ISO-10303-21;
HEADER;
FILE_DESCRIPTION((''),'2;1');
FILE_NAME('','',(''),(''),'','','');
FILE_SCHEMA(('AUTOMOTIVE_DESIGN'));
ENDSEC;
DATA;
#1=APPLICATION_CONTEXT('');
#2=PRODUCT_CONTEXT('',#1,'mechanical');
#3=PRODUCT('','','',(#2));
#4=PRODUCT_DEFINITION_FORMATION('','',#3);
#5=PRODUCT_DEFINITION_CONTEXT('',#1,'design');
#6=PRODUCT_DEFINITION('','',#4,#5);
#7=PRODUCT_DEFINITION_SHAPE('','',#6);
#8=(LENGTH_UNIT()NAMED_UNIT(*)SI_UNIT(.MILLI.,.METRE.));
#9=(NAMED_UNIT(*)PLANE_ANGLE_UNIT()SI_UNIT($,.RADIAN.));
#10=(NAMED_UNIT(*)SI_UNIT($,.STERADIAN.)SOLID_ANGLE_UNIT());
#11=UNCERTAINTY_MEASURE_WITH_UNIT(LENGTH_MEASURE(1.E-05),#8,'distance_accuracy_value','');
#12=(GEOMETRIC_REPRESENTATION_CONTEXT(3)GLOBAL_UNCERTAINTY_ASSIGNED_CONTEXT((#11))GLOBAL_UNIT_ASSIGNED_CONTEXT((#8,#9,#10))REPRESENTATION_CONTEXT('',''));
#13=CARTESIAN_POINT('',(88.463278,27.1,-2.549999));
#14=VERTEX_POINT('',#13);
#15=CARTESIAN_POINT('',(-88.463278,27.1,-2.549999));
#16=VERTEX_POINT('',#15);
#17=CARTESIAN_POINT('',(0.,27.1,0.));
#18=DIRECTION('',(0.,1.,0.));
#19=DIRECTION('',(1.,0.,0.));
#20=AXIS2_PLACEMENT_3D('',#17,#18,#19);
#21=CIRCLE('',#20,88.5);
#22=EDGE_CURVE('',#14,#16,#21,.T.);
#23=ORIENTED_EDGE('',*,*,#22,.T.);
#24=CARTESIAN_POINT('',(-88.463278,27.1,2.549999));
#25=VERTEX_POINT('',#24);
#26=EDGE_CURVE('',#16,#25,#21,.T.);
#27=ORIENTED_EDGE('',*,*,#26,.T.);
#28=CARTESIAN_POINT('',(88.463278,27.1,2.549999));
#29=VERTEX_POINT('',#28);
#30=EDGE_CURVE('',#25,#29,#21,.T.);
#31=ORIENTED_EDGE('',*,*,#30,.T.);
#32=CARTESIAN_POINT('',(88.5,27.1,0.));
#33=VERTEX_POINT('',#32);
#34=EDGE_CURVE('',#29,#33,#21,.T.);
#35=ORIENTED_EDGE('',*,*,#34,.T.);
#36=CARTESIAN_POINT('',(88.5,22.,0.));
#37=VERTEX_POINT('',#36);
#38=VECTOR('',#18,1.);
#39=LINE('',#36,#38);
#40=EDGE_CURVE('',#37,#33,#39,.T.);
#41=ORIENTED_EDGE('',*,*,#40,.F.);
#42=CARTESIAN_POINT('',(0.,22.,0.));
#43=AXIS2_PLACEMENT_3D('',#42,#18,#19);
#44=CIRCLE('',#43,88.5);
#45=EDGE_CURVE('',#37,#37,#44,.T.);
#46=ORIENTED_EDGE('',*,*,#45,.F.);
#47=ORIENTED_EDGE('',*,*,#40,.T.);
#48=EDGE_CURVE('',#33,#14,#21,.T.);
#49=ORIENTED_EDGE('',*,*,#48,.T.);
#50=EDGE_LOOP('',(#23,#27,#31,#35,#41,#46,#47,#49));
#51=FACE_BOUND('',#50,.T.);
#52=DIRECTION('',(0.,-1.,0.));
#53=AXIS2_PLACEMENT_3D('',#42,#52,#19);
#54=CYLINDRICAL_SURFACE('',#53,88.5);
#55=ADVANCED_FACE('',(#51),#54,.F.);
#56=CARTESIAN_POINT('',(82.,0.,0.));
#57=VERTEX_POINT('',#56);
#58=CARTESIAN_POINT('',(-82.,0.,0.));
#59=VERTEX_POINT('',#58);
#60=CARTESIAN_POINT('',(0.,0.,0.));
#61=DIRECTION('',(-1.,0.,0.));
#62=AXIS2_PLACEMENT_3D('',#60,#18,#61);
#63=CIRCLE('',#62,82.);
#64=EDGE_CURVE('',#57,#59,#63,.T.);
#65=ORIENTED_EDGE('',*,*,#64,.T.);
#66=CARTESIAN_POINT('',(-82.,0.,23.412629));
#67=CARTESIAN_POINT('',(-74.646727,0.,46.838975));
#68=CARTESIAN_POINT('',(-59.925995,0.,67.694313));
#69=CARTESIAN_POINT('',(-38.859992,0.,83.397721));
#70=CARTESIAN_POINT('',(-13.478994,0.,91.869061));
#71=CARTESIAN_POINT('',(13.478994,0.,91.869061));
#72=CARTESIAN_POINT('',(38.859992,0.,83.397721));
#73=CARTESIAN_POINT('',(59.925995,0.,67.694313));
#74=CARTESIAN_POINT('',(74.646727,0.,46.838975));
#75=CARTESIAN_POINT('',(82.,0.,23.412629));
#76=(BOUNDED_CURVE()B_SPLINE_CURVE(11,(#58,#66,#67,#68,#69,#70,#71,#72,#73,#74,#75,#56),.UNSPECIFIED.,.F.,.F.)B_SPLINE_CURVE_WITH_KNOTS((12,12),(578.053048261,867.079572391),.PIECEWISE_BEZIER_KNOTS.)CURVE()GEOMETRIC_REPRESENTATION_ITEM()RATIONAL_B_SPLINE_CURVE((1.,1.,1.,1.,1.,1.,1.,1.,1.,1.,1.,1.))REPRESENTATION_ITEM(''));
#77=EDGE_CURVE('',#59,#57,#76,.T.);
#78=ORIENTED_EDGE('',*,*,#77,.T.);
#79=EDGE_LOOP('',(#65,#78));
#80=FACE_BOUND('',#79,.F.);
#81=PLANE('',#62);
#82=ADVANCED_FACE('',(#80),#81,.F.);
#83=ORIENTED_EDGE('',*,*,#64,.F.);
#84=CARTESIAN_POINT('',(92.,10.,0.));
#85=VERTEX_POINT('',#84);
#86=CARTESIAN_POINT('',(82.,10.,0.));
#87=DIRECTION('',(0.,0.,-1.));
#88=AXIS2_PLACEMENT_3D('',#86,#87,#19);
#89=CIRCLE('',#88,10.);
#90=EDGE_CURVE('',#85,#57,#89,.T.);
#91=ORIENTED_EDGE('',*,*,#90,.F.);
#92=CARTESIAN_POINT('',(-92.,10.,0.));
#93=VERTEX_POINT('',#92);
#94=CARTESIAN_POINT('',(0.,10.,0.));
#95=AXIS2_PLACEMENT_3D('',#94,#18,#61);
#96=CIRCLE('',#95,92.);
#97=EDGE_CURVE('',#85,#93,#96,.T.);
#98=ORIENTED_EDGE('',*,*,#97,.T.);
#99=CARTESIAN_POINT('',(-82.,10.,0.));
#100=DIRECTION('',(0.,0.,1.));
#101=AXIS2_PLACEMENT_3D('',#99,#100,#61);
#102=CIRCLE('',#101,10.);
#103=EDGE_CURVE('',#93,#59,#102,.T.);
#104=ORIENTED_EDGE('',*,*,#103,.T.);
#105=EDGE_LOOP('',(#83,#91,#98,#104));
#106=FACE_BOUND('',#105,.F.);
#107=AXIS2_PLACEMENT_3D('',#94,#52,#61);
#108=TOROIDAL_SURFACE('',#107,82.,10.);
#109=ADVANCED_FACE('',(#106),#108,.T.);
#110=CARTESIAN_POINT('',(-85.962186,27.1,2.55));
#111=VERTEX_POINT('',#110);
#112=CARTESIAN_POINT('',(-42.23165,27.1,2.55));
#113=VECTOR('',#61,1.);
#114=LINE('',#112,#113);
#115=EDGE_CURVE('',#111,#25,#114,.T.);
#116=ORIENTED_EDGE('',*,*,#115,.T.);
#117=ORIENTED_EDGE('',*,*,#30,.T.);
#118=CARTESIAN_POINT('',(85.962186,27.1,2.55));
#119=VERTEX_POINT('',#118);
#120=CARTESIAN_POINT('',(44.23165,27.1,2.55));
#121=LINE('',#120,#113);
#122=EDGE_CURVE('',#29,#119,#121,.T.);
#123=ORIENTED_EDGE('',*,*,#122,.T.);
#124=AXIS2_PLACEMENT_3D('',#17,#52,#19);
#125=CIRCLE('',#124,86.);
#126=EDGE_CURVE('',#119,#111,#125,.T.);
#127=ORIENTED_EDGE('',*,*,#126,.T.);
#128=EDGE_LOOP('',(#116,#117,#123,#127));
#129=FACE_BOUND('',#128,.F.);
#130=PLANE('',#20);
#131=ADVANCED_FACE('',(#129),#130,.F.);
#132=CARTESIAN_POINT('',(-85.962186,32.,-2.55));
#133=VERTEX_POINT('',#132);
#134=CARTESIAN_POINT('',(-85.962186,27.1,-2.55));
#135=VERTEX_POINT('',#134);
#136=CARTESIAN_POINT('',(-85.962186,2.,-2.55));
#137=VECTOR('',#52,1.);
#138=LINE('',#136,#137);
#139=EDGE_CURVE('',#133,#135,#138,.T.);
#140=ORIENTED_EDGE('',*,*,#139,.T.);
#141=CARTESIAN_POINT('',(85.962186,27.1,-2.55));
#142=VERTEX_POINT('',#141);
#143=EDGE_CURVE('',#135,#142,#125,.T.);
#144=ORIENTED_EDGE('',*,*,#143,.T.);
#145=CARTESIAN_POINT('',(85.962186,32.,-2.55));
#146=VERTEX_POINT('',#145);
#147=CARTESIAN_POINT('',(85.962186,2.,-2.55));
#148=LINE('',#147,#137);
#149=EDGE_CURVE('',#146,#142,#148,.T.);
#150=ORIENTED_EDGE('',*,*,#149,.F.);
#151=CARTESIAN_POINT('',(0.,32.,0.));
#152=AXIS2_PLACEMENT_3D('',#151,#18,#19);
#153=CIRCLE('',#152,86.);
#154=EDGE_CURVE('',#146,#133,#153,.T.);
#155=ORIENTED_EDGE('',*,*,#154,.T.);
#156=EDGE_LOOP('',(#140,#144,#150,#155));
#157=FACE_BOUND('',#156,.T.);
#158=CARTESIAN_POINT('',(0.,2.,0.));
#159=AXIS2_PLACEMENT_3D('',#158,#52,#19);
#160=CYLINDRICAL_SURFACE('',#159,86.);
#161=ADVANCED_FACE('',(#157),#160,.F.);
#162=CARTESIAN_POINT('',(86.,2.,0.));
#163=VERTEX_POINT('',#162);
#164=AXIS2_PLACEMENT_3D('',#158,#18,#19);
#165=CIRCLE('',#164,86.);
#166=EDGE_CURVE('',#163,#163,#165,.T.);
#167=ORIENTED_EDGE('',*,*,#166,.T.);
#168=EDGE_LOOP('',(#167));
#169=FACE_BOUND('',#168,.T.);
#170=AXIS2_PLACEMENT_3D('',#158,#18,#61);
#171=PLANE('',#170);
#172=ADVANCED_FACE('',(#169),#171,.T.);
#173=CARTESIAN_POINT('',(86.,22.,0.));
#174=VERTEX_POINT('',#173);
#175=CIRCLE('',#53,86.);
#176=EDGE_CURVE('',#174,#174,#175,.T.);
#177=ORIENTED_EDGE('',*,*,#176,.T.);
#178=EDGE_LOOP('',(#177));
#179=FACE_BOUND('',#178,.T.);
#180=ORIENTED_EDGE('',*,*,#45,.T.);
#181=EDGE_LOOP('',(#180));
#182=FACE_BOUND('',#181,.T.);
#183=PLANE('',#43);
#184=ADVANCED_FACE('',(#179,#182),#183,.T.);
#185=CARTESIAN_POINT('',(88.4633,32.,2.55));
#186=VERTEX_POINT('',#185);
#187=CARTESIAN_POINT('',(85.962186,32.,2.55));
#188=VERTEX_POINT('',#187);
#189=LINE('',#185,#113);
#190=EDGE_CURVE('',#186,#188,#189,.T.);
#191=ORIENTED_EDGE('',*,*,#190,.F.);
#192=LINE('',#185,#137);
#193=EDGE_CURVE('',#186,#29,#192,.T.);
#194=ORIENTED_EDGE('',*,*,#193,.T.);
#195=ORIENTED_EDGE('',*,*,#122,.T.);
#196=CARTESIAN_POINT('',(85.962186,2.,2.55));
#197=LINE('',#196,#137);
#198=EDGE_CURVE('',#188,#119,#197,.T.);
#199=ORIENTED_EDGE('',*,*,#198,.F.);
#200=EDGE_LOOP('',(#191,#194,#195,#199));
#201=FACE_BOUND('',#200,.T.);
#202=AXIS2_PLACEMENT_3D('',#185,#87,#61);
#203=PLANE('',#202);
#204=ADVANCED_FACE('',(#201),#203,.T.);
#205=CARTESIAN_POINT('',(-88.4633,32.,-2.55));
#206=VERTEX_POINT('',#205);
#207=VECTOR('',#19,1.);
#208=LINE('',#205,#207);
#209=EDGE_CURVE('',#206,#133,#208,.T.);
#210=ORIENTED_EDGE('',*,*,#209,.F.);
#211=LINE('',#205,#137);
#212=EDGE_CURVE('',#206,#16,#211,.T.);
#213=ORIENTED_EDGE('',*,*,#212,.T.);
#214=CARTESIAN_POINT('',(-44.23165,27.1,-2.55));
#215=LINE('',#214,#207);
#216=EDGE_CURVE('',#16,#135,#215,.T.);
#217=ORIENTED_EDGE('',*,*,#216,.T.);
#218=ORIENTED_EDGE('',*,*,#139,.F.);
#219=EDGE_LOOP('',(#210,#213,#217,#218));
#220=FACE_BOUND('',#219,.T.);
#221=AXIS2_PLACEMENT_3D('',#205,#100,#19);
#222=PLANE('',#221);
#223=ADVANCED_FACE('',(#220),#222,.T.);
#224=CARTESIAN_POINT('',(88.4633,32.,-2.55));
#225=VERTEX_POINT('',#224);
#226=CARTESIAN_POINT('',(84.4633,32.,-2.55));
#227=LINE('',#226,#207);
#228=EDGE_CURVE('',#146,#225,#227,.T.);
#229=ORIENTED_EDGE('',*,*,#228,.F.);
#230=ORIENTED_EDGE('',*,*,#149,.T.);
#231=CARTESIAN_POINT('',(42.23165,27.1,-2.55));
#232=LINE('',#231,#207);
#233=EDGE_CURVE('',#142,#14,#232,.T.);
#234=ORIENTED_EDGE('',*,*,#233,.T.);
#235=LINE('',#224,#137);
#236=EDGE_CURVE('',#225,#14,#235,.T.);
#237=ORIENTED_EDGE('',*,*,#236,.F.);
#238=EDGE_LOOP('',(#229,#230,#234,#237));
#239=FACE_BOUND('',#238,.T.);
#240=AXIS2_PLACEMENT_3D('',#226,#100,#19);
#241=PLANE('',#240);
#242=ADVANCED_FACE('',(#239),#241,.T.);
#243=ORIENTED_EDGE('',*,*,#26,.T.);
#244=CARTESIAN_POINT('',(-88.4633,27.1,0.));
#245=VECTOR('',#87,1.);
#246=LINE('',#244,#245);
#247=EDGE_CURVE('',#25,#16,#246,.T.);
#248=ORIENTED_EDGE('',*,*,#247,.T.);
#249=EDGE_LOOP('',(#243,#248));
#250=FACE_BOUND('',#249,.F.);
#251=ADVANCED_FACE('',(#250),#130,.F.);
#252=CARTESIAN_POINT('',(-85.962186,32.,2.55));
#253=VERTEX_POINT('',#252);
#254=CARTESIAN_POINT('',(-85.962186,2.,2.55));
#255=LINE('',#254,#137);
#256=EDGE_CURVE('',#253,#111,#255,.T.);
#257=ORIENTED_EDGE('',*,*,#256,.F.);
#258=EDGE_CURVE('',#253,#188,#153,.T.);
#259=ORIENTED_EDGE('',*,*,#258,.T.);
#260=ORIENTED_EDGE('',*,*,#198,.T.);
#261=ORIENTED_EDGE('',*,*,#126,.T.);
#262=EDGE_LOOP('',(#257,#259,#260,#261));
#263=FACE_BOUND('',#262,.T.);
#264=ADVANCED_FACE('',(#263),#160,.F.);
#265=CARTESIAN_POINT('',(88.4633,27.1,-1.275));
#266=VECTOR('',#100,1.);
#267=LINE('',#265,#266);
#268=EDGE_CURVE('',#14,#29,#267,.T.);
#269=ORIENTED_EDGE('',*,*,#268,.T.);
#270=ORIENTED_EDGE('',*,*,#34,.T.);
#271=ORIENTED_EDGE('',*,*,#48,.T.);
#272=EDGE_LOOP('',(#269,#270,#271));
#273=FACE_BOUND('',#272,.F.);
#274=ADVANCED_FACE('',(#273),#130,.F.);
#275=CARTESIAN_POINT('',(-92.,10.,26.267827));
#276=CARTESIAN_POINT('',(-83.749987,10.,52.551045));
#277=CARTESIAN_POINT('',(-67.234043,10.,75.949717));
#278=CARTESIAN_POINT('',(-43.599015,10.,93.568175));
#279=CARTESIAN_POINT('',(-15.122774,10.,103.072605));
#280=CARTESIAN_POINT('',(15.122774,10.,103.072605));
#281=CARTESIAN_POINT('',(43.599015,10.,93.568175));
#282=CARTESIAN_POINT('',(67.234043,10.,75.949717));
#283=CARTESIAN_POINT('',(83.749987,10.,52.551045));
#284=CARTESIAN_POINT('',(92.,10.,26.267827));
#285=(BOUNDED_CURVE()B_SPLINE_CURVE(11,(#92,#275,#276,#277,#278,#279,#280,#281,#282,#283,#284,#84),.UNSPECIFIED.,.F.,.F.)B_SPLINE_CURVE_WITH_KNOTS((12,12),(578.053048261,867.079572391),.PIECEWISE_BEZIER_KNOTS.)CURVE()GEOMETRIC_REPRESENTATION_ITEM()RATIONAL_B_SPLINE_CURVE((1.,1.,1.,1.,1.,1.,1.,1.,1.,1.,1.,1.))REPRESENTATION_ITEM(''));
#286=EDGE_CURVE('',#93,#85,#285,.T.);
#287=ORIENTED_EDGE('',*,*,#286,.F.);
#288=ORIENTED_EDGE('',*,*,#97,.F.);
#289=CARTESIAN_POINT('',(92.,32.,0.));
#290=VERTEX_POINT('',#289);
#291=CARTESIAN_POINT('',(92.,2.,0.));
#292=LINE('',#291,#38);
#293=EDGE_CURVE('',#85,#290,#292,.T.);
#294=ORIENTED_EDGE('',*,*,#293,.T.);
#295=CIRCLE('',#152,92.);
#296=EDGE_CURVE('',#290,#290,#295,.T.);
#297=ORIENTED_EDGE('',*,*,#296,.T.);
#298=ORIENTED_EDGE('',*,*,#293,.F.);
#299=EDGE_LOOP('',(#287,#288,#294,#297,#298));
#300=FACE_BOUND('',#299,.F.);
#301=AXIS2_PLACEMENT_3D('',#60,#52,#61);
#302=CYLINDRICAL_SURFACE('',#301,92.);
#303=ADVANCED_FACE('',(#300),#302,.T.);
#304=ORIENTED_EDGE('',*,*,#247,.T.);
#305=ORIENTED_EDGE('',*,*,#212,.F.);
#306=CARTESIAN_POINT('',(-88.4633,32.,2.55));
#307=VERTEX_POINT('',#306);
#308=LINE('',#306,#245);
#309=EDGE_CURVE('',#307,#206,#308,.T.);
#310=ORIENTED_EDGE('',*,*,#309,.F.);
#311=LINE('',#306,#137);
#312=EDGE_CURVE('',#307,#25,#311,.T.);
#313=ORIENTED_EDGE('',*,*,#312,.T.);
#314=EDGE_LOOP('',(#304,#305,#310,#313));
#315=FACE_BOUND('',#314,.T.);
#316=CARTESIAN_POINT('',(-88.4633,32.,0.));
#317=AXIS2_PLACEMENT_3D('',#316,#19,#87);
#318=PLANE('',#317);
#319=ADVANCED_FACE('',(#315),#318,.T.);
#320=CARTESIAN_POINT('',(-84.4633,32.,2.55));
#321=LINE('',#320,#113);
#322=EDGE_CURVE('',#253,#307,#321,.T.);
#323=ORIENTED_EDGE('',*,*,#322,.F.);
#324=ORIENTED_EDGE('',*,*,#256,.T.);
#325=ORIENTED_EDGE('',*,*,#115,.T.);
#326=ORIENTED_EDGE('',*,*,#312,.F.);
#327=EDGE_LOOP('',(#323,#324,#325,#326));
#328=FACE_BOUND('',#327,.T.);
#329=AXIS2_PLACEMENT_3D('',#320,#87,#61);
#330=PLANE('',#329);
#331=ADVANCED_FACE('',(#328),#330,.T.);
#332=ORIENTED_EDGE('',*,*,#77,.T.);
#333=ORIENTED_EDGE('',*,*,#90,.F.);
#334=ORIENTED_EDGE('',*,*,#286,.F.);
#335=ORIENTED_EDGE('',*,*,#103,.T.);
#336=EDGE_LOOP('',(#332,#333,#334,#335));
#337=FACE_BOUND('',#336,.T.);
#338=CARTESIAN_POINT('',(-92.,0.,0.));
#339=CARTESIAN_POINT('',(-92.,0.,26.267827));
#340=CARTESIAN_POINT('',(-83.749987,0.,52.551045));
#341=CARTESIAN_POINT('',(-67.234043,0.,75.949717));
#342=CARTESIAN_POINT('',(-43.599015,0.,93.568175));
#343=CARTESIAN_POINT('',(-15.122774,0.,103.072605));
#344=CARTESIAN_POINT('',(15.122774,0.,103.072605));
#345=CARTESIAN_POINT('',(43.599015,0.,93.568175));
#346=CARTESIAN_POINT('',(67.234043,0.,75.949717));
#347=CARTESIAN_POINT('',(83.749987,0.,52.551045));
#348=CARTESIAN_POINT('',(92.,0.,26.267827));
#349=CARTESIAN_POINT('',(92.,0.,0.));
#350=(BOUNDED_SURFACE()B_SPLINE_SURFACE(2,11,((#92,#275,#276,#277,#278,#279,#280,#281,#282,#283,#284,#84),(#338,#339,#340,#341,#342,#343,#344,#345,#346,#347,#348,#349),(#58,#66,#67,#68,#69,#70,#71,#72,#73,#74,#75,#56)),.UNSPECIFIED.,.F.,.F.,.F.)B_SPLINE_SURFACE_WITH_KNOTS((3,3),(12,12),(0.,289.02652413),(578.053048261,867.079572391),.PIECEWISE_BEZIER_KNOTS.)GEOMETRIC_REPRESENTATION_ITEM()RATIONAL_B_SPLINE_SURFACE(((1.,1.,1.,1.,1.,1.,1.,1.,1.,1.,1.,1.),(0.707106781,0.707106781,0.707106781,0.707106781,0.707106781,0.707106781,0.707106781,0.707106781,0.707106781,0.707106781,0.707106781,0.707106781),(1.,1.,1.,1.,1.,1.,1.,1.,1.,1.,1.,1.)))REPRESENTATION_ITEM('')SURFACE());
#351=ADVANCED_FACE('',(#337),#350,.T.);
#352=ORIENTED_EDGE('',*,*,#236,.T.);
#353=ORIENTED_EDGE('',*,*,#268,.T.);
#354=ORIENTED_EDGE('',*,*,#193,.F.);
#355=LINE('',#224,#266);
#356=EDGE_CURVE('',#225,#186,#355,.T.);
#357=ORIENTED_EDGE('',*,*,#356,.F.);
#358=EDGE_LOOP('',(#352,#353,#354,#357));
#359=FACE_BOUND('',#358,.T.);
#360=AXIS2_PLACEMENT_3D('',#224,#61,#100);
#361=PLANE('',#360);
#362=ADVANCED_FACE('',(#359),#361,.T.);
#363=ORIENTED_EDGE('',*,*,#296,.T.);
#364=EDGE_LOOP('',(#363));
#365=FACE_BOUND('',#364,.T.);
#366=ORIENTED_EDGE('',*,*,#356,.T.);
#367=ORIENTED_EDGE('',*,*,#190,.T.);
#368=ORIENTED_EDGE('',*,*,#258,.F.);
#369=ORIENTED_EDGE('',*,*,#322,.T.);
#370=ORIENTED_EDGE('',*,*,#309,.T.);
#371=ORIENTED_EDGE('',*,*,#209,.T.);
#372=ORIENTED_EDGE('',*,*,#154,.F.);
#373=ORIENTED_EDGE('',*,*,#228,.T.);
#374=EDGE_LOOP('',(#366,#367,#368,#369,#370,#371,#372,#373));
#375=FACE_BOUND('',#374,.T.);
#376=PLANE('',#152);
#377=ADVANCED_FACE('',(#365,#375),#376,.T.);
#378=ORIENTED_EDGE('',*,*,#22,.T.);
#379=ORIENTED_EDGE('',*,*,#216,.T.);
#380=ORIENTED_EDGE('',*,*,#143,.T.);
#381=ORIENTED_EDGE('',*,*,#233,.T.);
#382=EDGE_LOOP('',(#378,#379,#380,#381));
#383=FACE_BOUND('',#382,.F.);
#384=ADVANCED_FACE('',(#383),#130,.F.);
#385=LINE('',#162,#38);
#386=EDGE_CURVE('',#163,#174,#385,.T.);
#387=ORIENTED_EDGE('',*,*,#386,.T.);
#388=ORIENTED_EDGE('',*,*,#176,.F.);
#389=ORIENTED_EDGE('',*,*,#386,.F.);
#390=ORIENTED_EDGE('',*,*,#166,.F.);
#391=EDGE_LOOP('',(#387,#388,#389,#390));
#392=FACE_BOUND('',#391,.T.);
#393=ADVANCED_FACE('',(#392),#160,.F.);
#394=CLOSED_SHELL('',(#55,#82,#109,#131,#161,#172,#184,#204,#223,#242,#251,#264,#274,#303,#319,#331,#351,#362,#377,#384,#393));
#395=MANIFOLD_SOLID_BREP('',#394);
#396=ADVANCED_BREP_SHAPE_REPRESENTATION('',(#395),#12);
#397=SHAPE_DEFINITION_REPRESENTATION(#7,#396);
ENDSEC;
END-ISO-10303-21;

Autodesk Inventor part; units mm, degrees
ref_plane "YZ Plane" through (0, 0, 0) normal (1, 0, 0) x (0, 1, 0)
ref_plane "XZ Plane" through (0, 0, 0) normal (0, 1, 0) x (-1, 0, 0)
sketch "Náčrt1" plane through (0, 0, 0) normal (0, 1, 0) x (-1, 0, 0)
  circle A0 centre (0, 0) radius 92
  dimension "d0" = 184
extrude "Vysunutí1" add sketch "Náčrt1" along normal blind 2
sketch "Náčrt2" plane through (0, 2, 0) normal (0, 1, 0) x (1, 0, 0)
  circle A0 centre (0, 0) radius 86
  circle A1 centre (0, 0) radius 92
  dimension "d3" = 184
  dimension "d8" = 172
extrude "Vysunutí2" add sketch "Náčrt2" along normal blind 30
ref_plane "Pracovní rovina1" through (0, 22, 0) normal (0, 1, 0) x (1, 0, 0)
sketch "Náčrt3" plane through (0, 22, 0) normal (0, 1, 0) x (1, 0, 0)
  circle A0 centre (0, 0) radius 88.5
  dimension "d7" = 177
extrude "Vysunutí3" cut sketch "Náčrt3" along normal blind 5.1
sketch "Náčrt4" plane through (0, 32, 0) normal (0, 1, 0) x (1, 0, 0)
  circle A0 centre (0, 0) radius 88.5 projected
  line L0 (-88.4633, 2.55) -> (-84.4633, 2.55)
  line L1 (-84.4633, 2.55) -> (-84.4633, -2.55)
  line L2 (-84.4633, -2.55) -> (-88.4633, -2.55)
  line L3 (-88.4633, -2.55) -> (-88.4633, 2.55)
  line L4 (0, 128.8) -> (0, -128.8) projected
  line L5 (128.8, 0) -> (-128.8, 0) projected
  line L6 (84.4633, 2.55) -> (88.4633, 2.55)
  line L7 (88.4633, 2.55) -> (88.4633, -2.55)
  line L8 (88.4633, -2.55) -> (84.4633, -2.55)
  line L9 (84.4633, -2.55) -> (84.4633, 2.55)
  dimension "d11" = 4
  dimension "d12" = 5.1
  dimension "d15" = 360
extrude "Vysunutí4" cut sketch "Náčrt4" against normal blind 5.1 contours L7 L5 L9 L6 | L8 L9 L5 L7 | L0 L1 L5 L3 | L3 L5 L1 L2
fillet "Zaoblení1" radius 10 1 edges at (92, 0, 0)
properties part number "Poklop"
